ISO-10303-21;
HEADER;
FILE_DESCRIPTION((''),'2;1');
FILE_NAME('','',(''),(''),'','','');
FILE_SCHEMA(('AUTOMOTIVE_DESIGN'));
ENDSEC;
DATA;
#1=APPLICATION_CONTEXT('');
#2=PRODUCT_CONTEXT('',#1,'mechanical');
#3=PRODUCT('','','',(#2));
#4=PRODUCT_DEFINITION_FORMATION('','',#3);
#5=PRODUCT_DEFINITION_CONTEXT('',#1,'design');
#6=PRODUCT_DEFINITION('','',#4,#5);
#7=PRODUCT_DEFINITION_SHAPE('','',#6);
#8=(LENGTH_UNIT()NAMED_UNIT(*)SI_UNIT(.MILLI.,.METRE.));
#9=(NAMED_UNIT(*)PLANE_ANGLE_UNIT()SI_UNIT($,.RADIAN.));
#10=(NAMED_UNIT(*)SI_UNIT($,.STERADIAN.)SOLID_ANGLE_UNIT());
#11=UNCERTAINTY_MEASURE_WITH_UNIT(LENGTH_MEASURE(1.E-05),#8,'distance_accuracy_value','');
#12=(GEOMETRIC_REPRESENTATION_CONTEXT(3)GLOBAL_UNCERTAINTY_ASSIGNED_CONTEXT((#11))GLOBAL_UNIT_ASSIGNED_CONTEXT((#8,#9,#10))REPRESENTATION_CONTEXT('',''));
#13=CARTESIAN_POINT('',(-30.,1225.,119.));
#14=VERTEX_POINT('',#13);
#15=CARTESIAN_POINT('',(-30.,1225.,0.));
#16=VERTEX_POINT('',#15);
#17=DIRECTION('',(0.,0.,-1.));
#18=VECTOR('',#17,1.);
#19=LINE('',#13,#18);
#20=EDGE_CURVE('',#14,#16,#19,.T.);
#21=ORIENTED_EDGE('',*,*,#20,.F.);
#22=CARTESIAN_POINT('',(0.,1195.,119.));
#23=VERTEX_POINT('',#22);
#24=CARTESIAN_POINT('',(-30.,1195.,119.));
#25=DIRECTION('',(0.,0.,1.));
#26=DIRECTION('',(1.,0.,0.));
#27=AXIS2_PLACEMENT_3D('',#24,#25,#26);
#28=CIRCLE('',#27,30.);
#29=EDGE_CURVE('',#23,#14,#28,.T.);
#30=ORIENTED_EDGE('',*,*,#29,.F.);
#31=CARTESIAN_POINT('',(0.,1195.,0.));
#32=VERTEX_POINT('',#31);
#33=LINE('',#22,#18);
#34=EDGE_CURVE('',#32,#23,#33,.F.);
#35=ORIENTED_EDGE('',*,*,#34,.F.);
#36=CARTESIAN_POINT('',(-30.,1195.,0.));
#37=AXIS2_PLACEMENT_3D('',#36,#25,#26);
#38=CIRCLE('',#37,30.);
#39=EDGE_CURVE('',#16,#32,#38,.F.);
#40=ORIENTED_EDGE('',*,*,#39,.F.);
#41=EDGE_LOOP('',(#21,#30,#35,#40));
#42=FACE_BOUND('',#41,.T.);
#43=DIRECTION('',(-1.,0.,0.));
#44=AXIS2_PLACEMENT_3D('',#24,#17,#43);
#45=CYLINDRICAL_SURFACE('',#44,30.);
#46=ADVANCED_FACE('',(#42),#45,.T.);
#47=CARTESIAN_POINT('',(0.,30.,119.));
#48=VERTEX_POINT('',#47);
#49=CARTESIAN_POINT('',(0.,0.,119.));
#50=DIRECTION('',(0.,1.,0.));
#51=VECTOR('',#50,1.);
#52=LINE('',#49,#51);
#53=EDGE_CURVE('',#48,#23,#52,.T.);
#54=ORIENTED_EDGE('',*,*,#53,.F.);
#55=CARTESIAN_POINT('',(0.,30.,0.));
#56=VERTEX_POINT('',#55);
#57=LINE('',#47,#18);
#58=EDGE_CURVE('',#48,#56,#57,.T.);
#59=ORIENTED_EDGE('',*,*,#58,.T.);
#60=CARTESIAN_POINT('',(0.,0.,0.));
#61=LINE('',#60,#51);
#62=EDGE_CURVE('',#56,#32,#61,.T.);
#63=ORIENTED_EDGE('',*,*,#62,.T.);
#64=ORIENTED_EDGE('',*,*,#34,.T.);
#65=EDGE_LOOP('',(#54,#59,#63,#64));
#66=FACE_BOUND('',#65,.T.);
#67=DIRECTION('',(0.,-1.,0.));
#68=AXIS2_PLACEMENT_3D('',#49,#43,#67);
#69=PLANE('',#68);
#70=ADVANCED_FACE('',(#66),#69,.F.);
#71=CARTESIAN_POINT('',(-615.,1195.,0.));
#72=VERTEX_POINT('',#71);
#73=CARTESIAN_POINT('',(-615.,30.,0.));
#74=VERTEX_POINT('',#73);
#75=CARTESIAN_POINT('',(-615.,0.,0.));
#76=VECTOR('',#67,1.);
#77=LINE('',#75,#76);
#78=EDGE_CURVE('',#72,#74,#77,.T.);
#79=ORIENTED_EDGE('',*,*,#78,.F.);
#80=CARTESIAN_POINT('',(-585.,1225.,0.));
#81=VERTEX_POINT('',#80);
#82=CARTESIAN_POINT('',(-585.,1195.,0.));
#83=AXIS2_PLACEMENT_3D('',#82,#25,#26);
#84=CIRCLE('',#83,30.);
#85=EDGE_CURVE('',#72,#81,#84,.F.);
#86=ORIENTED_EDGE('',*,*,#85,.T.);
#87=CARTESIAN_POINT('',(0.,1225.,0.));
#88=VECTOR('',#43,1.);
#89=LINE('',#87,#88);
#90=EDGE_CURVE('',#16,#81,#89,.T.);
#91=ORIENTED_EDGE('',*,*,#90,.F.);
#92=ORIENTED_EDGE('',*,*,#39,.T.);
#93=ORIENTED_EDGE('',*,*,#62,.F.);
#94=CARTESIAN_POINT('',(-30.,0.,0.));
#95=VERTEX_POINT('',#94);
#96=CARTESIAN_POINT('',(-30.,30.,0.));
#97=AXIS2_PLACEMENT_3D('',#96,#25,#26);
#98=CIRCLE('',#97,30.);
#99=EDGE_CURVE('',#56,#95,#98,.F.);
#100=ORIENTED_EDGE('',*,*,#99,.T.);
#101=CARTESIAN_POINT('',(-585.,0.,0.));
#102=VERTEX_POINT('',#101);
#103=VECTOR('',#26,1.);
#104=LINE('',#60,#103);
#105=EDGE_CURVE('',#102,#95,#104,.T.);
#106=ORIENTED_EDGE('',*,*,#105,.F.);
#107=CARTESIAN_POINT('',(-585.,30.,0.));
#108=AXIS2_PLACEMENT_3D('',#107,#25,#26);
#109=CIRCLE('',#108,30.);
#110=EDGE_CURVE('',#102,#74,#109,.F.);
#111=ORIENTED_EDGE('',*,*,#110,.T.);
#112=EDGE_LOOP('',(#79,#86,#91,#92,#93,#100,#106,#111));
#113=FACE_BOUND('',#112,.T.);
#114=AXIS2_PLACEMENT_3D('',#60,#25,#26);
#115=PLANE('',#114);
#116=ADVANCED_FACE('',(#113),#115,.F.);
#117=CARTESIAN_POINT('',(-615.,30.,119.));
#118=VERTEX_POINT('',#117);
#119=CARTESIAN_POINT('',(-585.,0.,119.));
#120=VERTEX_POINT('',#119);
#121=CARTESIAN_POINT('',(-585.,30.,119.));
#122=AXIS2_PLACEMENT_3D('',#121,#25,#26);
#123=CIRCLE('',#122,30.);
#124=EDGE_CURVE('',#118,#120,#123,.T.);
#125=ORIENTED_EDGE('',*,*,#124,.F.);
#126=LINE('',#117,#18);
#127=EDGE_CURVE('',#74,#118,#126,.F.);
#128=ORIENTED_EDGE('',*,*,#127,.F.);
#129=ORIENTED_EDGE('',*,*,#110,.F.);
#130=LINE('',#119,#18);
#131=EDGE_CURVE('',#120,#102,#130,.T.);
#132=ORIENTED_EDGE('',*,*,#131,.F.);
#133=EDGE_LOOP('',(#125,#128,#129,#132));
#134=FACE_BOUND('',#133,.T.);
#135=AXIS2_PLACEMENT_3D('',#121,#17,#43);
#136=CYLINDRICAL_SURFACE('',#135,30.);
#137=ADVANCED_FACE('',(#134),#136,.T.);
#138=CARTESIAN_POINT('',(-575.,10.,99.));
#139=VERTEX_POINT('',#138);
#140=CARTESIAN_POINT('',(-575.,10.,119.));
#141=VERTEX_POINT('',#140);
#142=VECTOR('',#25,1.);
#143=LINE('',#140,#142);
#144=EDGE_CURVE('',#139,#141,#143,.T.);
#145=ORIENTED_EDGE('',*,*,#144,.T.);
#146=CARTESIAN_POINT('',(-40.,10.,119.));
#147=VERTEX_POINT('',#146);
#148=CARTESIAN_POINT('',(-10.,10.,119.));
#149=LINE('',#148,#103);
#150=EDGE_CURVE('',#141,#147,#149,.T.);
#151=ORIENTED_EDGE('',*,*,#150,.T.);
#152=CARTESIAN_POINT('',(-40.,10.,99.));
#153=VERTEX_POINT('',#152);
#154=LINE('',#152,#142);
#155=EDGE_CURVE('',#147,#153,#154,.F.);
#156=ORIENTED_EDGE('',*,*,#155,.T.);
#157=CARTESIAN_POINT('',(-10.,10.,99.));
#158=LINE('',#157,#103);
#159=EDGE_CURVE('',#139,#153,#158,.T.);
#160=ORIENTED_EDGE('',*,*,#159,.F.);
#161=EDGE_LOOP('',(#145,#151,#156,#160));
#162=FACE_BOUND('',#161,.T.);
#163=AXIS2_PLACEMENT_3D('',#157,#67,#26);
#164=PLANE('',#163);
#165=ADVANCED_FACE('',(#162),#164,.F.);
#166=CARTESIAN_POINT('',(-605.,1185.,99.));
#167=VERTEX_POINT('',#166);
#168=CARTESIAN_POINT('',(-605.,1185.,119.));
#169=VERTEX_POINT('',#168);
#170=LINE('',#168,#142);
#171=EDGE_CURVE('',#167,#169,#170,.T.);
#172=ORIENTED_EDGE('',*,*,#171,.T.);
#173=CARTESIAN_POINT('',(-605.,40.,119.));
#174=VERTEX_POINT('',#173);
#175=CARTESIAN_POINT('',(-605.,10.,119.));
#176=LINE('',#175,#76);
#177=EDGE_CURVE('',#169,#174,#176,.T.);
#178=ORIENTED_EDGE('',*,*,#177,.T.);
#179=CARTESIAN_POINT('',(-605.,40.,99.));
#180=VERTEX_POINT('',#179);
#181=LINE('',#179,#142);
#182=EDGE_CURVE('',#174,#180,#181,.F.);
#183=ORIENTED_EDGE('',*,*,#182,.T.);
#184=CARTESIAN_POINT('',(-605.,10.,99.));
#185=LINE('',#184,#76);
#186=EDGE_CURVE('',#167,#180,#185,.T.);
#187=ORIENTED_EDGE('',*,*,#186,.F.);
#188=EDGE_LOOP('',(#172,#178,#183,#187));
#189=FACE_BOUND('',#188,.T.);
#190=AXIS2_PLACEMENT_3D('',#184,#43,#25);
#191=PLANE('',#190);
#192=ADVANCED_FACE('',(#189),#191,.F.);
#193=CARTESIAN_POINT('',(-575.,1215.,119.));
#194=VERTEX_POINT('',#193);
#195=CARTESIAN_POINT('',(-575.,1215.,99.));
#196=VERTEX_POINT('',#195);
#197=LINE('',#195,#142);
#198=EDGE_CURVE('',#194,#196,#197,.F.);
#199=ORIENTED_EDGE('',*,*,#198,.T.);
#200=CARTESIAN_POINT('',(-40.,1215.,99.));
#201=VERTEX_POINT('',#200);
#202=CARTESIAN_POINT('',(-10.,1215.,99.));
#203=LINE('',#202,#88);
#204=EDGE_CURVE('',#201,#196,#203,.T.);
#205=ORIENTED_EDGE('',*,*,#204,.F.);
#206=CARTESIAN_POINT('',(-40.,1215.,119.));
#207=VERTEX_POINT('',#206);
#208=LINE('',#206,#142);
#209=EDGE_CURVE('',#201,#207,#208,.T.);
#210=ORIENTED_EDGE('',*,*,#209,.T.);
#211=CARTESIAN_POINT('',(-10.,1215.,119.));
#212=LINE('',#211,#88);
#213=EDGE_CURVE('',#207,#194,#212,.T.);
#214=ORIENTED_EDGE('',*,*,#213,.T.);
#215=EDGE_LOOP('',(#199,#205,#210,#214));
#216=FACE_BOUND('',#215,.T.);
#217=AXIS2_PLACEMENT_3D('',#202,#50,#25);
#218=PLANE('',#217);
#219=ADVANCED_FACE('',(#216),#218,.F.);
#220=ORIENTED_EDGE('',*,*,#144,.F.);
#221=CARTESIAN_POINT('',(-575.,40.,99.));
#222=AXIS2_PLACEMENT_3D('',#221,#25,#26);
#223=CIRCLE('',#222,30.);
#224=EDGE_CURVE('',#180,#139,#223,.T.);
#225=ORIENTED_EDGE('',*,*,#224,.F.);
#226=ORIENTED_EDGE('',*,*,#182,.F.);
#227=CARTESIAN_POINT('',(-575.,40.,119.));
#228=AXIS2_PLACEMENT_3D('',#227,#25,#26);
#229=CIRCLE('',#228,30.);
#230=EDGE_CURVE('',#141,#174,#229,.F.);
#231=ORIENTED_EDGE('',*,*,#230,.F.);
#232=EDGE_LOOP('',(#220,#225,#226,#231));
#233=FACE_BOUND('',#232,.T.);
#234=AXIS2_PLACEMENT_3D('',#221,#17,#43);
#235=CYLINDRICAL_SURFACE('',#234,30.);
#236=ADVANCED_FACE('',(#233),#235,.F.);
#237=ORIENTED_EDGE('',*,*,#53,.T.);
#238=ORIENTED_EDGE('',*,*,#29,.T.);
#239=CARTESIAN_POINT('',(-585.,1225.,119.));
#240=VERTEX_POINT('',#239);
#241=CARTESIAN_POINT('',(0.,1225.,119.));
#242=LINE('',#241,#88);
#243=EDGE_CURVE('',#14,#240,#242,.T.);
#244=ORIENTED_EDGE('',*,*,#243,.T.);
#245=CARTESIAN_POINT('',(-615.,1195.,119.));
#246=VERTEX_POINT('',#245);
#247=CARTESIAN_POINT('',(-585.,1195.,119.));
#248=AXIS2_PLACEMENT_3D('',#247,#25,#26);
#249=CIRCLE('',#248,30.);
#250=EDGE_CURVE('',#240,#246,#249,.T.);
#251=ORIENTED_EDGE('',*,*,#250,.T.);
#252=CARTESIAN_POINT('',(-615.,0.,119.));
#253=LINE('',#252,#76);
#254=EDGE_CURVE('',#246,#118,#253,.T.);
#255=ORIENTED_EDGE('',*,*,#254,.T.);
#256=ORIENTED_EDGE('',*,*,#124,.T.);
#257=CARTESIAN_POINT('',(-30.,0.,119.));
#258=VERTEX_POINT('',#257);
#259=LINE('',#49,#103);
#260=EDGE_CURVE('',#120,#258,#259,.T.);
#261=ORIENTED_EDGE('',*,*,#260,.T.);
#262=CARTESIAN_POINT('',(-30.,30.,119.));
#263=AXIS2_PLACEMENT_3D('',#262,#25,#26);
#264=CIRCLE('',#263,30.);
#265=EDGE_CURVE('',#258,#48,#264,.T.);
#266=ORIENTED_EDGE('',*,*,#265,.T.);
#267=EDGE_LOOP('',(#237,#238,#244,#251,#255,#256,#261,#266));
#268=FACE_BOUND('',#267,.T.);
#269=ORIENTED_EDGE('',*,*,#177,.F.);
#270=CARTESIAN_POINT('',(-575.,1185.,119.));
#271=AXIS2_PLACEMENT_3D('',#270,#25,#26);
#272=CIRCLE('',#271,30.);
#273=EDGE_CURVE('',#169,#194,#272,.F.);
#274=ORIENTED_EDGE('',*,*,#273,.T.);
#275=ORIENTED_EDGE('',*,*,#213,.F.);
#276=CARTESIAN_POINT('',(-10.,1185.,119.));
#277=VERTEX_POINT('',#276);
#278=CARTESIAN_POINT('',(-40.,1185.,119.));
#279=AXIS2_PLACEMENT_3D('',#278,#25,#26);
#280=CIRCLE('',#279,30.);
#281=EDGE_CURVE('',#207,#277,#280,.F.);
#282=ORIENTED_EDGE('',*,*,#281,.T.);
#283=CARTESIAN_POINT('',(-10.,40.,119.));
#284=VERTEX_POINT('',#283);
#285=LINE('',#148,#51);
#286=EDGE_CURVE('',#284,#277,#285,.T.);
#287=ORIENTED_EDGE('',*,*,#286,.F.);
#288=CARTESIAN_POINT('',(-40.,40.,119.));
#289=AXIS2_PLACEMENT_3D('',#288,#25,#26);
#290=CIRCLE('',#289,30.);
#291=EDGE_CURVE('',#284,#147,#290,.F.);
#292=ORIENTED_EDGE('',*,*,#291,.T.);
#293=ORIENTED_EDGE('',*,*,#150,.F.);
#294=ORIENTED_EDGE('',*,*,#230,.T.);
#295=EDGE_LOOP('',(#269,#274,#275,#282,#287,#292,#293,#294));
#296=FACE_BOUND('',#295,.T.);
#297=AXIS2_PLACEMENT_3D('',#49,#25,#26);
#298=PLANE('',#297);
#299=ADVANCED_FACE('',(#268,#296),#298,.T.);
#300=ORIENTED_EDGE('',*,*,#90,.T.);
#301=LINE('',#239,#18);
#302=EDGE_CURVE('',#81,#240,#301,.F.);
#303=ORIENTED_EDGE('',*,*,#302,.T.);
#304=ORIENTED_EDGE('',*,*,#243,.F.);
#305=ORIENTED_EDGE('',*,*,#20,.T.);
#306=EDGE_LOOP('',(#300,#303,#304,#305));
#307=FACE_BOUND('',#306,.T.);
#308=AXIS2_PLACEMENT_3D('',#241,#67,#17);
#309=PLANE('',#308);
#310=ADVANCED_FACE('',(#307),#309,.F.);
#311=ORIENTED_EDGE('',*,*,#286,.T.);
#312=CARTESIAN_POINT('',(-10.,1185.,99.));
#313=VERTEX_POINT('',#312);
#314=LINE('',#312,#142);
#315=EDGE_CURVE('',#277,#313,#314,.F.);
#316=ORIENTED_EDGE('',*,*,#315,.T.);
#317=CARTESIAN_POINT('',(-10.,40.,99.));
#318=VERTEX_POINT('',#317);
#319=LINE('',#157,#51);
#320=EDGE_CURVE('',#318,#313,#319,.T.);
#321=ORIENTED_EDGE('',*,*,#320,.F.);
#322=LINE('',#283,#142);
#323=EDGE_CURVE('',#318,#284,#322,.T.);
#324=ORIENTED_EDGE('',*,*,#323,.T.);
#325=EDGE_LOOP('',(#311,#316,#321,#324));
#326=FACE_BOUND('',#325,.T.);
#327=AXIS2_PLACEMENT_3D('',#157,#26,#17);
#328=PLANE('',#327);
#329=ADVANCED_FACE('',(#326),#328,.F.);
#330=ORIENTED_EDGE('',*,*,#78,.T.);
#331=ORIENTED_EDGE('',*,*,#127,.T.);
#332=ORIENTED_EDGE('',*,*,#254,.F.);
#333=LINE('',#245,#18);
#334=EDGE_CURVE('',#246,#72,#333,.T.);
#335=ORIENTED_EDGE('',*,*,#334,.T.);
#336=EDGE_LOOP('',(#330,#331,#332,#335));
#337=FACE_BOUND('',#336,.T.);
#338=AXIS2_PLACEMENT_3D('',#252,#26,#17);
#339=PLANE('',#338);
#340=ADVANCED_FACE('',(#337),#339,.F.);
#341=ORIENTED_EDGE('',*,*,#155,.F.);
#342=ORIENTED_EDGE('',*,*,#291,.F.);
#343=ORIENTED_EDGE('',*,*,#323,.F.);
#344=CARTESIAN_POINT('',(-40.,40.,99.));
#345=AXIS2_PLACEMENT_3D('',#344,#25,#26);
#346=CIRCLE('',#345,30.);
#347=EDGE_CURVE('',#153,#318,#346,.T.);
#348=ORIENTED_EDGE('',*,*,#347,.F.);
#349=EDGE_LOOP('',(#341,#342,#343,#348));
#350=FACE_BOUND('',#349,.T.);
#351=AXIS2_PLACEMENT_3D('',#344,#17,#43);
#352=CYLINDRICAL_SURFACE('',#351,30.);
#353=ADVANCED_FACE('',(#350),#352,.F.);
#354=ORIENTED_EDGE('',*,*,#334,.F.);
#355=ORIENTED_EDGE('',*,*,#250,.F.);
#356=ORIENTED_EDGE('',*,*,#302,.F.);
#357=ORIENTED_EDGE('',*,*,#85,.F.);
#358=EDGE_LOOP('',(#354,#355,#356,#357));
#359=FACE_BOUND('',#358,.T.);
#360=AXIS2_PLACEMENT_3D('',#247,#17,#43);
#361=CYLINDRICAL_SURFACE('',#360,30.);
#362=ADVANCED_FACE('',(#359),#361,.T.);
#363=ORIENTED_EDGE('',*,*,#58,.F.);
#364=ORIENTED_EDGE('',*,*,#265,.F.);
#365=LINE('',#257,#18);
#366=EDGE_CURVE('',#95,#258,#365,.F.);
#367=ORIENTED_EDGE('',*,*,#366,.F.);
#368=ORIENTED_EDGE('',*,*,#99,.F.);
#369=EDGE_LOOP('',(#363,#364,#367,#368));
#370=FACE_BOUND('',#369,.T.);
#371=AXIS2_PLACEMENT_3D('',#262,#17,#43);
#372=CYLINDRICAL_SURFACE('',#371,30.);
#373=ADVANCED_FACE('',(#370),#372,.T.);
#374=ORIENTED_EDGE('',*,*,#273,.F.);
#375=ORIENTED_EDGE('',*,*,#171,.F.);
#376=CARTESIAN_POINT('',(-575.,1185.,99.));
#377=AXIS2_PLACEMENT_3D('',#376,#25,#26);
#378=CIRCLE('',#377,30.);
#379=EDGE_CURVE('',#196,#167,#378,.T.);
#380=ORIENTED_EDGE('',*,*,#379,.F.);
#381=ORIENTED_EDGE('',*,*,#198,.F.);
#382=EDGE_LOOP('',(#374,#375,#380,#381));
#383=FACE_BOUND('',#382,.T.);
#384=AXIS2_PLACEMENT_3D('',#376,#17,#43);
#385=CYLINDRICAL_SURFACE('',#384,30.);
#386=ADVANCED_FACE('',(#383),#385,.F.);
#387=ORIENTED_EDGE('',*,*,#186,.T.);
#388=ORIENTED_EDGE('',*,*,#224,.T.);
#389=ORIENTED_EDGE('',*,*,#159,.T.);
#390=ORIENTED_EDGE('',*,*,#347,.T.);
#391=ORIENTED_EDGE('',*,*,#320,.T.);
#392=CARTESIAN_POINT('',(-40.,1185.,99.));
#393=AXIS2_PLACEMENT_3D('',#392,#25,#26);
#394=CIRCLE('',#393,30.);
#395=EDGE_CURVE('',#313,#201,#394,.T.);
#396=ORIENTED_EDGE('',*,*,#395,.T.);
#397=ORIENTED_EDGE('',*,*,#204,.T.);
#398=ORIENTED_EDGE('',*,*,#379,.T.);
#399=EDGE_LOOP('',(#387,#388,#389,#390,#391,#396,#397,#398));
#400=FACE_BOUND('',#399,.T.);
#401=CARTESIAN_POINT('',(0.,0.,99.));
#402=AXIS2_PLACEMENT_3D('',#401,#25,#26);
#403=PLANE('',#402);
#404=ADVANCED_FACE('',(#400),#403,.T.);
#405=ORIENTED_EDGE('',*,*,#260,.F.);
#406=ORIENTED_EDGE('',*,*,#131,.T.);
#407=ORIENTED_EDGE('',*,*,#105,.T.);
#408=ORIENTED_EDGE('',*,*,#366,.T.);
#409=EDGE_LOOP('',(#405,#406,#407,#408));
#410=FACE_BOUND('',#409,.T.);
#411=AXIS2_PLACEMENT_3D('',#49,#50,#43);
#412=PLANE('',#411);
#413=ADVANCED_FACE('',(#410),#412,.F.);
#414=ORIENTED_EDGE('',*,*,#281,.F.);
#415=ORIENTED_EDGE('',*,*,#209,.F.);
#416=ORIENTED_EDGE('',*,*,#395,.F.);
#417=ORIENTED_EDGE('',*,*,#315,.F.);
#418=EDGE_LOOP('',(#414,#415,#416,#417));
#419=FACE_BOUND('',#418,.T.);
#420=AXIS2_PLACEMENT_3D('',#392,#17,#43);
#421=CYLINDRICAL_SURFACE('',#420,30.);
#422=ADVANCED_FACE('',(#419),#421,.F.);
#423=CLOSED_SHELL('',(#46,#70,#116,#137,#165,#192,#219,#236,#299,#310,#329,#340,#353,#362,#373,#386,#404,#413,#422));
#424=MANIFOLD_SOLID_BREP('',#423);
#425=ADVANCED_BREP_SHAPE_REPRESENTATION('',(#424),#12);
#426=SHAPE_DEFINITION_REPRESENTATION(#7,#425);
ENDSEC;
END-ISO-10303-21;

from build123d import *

# Parameters (mm, degrees)
SKETCH_1_W          = 615
SKETCH_1_H          = 1225
EXTRUDE_1_DEPTH     = 119
SKETCH_3_W          = 595
SKETCH_3_H          = 1205
CUT_EXTRUDE_1_DEPTH = 20
FILLET_3_R          = 30


with BuildPart() as part:
    # 스케치1 → 보스-돌출1 (new body)
    with BuildSketch(Plane.XY):
        with Locations((-307.5, 612.5)):
            Rectangle(SKETCH_1_W, SKETCH_1_H)
    extrude(amount=EXTRUDE_1_DEPTH)

    # 스케치3 → 컷-돌출1 (cut)
    with BuildSketch(Plane.XY.offset(119)):
        with Locations((-307.5, 612.5)):
            Rectangle(SKETCH_3_W, SKETCH_3_H)
    extrude(amount=-CUT_EXTRUDE_1_DEPTH, mode=Mode.SUBTRACT)

    # 필렛3
    fillet_3_edges = [part.edges().sort_by_distance(p)[0] for p in [
        (-10, 1215, 109),
        (-10, 10, 109),
        (-605, 10, 109),
        (-605, 1215, 109),
        (0, 0, 59.5),
        (-615, 0, 59.5),
        (-615, 1225, 59.5),
        (0, 1225, 59.5),
    ]]
    fillet(fillet_3_edges, radius=FILLET_3_R)


solid = part.part
